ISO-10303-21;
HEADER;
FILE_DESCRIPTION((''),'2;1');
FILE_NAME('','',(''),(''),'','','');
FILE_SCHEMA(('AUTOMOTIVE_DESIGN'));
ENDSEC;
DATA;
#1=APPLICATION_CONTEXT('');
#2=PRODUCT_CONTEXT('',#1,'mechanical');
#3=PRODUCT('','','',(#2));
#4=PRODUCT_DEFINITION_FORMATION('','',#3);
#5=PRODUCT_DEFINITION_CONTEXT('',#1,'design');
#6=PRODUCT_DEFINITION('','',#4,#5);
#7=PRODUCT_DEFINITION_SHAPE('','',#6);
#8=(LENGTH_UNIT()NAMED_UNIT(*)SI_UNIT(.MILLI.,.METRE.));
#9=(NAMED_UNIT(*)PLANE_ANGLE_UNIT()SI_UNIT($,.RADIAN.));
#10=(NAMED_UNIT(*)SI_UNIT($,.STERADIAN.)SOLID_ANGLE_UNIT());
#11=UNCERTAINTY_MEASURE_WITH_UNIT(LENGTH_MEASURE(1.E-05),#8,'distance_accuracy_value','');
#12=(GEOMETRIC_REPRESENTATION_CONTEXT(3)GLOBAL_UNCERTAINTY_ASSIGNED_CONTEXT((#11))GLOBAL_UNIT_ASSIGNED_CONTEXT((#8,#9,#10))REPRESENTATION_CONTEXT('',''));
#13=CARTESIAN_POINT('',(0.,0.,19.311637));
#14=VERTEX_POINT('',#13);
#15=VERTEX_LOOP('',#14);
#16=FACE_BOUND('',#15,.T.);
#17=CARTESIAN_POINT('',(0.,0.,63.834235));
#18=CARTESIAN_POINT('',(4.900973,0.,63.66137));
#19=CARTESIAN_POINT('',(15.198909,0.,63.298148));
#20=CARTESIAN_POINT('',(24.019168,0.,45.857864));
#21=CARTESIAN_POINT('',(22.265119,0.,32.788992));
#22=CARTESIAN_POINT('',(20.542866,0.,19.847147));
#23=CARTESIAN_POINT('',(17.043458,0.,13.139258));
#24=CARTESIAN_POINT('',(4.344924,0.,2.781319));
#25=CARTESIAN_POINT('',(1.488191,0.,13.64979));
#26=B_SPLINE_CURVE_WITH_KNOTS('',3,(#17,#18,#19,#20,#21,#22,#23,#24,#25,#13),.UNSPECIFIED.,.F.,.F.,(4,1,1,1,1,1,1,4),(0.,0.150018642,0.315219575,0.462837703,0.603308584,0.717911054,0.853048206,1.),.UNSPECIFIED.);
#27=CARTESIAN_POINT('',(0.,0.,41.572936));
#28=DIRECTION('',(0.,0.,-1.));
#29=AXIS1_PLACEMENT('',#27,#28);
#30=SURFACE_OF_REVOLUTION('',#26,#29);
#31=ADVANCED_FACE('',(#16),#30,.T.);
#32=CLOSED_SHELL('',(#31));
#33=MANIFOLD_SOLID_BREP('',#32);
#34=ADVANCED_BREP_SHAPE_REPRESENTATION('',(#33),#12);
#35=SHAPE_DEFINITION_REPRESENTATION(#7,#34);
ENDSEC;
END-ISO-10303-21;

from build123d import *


with BuildPart() as f1:
    # F0 (on Front) → F1 (revolve)
    with BuildSketch(Plane.XZ):
        with BuildLine():
            add(Edge.make_bspline(
                [(0, 63.8342350721), (4.900972843, 63.661370273), (15.1989087174, 63.2981479005), (24.0191682707, 45.8578636989), (22.2651185031, 32.7889918741), (20.5428660892, 19.8471472595), (17.0434576525, 13.1392580617), (4.3449241902, 2.7813189652), (1.4881907429, 13.6497896157), (0, 19.3116366863)],
                knots=[0, 0, 0, 0, 0.1500186418, 0.3152195749, 0.4628377031, 0.6033085838, 0.7179110543, 0.8530482064, 1, 1, 1, 1], degree=3))
            Line((0, 63.8342350721), (0, 19.3116366863))
        make_face()
    revolve(axis=Axis((0, 0, 41.5729358792), (0, 0, -1)))


solid = f1.part
